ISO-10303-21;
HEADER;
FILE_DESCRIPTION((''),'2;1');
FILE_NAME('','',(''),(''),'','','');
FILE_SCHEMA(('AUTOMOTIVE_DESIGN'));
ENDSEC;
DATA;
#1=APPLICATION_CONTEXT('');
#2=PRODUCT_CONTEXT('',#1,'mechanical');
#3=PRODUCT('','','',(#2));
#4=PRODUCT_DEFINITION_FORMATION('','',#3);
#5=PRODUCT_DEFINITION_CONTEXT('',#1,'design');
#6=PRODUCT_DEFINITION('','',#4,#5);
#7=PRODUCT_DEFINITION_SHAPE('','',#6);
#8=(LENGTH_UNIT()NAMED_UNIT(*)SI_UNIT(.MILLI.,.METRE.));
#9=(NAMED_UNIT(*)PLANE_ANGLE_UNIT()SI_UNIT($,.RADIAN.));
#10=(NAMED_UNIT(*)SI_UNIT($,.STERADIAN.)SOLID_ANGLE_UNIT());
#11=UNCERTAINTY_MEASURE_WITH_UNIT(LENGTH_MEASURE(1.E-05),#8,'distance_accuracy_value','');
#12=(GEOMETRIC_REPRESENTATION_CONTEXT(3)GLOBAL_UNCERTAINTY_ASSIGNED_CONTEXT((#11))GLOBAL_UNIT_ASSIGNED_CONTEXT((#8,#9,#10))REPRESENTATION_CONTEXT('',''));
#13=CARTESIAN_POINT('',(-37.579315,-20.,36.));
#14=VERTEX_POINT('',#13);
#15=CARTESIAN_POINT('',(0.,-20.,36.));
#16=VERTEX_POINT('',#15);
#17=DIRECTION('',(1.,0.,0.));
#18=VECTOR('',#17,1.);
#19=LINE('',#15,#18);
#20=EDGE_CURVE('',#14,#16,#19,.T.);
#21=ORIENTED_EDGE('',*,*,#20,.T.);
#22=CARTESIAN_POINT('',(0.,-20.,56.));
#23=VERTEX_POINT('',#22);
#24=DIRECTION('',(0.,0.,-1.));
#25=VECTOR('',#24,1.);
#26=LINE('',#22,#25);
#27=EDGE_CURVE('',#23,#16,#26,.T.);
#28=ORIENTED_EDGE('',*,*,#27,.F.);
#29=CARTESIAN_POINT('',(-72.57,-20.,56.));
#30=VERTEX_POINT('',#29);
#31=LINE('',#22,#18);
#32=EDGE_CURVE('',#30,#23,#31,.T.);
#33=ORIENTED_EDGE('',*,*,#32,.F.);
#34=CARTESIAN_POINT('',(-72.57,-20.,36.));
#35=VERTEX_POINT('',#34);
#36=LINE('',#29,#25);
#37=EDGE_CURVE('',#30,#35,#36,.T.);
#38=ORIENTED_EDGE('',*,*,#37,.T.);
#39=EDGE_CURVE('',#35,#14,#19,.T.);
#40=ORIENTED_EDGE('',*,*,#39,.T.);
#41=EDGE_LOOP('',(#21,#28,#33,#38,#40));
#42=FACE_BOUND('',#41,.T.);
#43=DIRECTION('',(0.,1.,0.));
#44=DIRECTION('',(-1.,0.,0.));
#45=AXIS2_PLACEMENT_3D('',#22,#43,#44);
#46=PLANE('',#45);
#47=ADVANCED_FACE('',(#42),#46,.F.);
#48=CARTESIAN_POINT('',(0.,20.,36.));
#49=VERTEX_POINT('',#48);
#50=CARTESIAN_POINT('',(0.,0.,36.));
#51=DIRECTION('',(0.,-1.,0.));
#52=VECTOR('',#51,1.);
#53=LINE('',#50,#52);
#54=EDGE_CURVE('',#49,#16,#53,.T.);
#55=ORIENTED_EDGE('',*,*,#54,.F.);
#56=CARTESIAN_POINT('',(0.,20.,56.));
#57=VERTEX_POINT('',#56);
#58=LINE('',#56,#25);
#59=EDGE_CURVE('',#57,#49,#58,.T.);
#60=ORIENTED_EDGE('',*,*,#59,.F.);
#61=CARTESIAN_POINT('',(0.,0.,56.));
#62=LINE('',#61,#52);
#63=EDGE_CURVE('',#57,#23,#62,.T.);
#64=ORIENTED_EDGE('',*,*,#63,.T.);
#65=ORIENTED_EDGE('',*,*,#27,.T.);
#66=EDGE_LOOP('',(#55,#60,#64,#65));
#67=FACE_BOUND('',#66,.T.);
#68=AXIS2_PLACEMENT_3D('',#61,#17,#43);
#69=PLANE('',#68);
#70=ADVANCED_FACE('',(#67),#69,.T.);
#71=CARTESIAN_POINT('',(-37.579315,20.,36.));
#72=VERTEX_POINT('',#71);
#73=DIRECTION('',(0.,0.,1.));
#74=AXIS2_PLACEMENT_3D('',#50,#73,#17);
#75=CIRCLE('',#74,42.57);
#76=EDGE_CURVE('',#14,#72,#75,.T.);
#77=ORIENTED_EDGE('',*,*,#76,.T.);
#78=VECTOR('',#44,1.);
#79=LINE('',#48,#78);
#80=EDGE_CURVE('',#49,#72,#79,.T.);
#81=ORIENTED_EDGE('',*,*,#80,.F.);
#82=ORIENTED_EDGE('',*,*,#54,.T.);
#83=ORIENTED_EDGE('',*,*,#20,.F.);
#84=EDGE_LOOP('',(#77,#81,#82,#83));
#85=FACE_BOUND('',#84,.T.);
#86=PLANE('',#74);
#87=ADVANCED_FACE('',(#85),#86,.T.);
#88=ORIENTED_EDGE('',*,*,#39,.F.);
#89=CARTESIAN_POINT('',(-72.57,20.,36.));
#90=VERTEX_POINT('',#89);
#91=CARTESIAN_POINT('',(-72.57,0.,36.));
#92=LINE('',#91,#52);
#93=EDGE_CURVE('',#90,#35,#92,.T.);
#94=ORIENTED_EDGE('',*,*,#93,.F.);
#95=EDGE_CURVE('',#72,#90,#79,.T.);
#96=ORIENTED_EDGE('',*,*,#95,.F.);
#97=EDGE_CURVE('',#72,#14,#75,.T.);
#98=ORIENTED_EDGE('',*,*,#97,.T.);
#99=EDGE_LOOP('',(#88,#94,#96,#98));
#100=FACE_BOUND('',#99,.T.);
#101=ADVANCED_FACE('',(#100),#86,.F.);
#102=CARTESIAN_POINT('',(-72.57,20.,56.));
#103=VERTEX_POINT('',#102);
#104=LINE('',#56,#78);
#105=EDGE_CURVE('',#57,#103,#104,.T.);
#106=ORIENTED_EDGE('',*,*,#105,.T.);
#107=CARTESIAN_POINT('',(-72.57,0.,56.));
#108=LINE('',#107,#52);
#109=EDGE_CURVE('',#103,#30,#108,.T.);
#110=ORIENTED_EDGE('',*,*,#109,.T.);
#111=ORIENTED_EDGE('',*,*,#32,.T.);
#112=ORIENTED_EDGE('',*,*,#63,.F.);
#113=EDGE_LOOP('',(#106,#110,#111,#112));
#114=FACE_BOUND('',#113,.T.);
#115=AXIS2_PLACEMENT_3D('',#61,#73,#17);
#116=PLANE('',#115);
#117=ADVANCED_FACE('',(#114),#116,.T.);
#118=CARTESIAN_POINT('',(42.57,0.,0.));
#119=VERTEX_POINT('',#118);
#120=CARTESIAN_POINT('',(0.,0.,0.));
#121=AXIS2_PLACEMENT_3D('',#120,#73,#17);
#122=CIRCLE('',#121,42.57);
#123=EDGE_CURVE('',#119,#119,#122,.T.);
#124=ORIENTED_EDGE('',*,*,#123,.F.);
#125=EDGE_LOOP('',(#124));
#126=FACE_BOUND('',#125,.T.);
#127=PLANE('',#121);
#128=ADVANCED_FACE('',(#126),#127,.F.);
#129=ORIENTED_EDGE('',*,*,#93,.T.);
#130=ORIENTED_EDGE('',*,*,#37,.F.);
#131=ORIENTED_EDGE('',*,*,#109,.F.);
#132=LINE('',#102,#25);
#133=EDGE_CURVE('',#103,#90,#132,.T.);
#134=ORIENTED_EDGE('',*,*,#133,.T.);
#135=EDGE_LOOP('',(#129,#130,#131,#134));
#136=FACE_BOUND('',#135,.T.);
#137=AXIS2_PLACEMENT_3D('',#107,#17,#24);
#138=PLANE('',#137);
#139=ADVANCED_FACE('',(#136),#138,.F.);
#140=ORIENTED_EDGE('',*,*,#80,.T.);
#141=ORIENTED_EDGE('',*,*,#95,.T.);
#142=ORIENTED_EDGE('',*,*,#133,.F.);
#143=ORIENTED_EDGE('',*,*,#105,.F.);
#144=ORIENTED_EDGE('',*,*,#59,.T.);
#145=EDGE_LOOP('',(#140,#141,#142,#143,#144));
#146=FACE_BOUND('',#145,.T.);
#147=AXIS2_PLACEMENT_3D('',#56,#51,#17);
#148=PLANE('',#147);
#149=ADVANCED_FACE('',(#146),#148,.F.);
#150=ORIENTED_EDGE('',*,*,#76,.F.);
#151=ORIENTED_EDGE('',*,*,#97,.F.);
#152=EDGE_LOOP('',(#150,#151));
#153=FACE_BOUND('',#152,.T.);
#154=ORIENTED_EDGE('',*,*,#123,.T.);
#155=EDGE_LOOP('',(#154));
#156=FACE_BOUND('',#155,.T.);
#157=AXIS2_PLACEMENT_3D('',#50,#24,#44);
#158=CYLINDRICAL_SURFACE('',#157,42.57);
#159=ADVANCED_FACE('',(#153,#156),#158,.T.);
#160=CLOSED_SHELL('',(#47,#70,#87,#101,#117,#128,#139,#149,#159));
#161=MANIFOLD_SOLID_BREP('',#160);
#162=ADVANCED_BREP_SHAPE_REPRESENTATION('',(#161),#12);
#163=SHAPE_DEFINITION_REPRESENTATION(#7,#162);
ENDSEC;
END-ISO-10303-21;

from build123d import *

# Parameters (mm, degrees)
SKETCH3_R           = 42.57
BOSS_EXTRUDE1_DEPTH = 36
SKETCH4_W           = 72.57
SKETCH4_H           = 40
BOSS_EXTRUDE2_DEPTH = 20


with BuildPart() as part:
    # Sketch3 → Boss-Extrude1 (new body)
    with BuildSketch(Plane.XY):
        Circle(SKETCH3_R)
    extrude(amount=BOSS_EXTRUDE1_DEPTH)

    # Sketch4 → Boss-Extrude2 (add)
    with BuildSketch(Plane.XY.offset(36)):
        with Locations((-36.285, 0)):
            Rectangle(SKETCH4_W, SKETCH4_H)
    extrude(amount=BOSS_EXTRUDE2_DEPTH)


solid = part.part
